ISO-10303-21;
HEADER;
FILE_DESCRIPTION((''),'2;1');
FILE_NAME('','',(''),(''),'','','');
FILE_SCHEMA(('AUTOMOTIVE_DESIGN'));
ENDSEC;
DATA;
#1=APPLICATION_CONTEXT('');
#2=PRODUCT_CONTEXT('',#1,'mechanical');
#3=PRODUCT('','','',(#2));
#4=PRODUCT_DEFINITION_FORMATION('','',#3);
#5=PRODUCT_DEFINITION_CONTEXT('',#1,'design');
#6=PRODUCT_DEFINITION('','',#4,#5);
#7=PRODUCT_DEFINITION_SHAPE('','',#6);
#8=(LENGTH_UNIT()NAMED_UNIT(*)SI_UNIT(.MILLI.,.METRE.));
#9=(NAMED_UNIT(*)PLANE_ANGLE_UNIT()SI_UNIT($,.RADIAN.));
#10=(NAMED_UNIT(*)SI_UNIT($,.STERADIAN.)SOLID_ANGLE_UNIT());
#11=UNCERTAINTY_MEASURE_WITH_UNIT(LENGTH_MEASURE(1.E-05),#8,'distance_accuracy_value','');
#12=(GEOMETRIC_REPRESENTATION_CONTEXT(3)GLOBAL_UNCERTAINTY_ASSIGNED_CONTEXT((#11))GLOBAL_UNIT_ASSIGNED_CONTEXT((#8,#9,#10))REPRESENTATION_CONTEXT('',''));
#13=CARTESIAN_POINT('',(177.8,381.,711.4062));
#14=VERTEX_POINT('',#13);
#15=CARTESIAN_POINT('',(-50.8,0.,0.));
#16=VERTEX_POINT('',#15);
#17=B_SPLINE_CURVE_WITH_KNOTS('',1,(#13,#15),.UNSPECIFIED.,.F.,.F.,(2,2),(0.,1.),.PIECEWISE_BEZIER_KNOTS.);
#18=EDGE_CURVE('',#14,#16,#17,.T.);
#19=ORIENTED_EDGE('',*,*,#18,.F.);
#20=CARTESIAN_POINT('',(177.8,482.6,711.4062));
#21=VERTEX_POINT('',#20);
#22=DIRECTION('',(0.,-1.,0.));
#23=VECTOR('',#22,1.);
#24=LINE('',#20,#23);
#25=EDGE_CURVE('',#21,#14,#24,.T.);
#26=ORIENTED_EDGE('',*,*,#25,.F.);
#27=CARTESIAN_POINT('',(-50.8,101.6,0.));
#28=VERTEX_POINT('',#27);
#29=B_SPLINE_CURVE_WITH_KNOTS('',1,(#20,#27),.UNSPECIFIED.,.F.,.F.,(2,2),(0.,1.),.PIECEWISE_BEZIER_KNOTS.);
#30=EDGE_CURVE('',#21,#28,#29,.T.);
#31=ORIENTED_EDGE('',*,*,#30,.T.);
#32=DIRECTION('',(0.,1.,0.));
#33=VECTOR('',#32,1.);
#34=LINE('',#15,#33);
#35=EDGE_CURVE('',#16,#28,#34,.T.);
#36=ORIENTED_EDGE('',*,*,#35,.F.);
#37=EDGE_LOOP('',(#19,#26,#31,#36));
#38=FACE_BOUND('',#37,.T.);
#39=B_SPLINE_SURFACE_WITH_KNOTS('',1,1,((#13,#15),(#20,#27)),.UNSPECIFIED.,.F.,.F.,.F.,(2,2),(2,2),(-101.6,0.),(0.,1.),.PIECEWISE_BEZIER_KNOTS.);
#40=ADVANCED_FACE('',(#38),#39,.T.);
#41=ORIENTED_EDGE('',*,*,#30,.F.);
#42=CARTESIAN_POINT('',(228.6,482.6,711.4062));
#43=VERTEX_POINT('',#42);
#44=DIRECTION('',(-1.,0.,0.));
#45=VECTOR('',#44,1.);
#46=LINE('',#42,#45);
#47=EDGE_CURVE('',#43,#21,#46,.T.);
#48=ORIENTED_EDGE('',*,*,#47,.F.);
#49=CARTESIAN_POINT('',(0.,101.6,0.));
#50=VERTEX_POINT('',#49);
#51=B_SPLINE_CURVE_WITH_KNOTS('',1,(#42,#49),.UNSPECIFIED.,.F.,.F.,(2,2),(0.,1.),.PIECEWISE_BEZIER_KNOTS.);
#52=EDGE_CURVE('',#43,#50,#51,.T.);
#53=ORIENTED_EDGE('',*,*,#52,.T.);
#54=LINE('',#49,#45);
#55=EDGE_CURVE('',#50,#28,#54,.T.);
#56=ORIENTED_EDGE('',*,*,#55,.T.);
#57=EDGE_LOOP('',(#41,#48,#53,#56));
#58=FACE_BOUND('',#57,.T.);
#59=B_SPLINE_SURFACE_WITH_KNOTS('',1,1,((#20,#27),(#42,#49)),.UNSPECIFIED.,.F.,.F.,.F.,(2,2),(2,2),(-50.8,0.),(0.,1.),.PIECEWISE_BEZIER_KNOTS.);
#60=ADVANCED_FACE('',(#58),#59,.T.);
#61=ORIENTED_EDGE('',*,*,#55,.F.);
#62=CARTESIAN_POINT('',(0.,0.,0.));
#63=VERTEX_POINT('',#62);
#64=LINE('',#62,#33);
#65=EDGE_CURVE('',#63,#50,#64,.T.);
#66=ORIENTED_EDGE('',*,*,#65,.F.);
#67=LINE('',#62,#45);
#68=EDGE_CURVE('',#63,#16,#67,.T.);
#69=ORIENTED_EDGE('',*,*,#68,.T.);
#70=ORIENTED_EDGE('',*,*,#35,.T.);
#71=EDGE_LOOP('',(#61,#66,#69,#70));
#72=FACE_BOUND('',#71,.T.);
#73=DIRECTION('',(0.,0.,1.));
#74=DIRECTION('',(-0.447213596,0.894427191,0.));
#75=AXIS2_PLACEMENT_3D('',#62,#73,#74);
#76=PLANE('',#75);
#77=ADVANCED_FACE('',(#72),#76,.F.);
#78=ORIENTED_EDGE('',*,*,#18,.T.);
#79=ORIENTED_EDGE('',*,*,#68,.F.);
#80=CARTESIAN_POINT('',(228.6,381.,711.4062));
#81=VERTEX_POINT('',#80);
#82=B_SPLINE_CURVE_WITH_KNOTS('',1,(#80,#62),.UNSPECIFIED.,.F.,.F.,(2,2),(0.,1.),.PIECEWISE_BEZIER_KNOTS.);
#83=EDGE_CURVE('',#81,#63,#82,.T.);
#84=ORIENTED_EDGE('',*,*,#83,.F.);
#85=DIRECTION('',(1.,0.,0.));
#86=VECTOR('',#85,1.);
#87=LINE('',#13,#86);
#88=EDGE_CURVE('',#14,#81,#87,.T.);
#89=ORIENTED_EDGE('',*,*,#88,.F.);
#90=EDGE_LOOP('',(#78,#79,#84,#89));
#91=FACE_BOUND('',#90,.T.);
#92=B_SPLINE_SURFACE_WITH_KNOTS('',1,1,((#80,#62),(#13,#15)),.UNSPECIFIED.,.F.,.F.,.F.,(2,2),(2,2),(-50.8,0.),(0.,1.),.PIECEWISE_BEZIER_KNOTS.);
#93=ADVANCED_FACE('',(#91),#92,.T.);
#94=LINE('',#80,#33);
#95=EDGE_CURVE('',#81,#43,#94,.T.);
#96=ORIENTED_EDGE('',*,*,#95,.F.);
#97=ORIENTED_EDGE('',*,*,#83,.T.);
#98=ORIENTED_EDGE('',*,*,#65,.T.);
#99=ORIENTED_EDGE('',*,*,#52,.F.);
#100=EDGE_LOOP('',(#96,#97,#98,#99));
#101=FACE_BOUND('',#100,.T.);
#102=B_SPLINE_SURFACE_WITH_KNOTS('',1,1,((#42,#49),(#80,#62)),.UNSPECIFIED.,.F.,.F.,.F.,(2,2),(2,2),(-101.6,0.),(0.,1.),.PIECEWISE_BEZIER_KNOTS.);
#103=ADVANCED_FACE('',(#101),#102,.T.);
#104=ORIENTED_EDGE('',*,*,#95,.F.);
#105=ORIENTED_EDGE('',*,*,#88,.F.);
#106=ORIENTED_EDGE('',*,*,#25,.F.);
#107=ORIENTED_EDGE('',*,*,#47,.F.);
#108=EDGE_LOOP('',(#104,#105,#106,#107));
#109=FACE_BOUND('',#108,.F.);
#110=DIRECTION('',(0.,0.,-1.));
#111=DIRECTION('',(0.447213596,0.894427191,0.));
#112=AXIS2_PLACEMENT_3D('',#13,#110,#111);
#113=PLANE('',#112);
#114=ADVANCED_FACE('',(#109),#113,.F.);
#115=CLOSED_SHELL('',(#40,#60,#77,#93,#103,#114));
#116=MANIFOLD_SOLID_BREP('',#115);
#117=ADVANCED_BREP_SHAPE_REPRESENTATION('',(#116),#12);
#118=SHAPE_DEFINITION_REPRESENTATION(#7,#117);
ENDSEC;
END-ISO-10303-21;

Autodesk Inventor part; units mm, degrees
ref_plane "YZ Plane" through (0, 0, 0) normal (1, 0, 0) x (0, 1, 0)
ref_plane "XZ Plane" through (0, 0, 0) normal (0, 1, 0) x (-1, 0, 0)
ref_plane "XY Plane" through (0, 0, 0) normal (0, 0, 1) x (1, 0, 0)
ref_plane "Work Plane1" through (0, 0, 0) normal (0, 0, 1) x (1, 0, 0)
sketch "Sketch1" plane through (0, 0, 0) normal (0, 0, 1) x (1, 0, 0)
  line L0 (0, 0) -> (0, 101.6) projected
  line L1 (0, 101.6) -> (-50.8, 101.6) projected
  line L2 (-50.8, 0) -> (-50.8, 101.6) projected
  line L3 (0, 0) -> (-50.8, 0) projected
  line L4 (-50.8, 0) -> (0, 0)
  line L5 (0, 0) -> (0, 101.6)
  line L6 (0, 101.6) -> (-50.8, 101.6)
  line L7 (-50.8, 101.6) -> (-50.8, 0)
ref_plane "Work Plane2" through (177.8, 711.2, 711.4062) normal (0, 0, -1) x (1, 0, 0)
sketch "Sketch2" plane through (177.8, 711.2, 711.4062) normal (0, 0, -1) x (1, 0, 0)
  line L0 (0, 330.2) -> (50.8, 330.2)
  line L1 (50.8, 330.2) -> (50.8, 228.6)
  line L2 (50.8, 228.6) -> (0, 228.6)
  line L3 (0, 228.6) -> (0, 330.2)
  point P0 (-177.8, 711.2)
  dimension "d0" = 101.6
  dimension "d1" = 50.8
loft "Loft1" add profiles "Sketch2", "Sketch1"
properties part number "UpperNoseDiagonals"
